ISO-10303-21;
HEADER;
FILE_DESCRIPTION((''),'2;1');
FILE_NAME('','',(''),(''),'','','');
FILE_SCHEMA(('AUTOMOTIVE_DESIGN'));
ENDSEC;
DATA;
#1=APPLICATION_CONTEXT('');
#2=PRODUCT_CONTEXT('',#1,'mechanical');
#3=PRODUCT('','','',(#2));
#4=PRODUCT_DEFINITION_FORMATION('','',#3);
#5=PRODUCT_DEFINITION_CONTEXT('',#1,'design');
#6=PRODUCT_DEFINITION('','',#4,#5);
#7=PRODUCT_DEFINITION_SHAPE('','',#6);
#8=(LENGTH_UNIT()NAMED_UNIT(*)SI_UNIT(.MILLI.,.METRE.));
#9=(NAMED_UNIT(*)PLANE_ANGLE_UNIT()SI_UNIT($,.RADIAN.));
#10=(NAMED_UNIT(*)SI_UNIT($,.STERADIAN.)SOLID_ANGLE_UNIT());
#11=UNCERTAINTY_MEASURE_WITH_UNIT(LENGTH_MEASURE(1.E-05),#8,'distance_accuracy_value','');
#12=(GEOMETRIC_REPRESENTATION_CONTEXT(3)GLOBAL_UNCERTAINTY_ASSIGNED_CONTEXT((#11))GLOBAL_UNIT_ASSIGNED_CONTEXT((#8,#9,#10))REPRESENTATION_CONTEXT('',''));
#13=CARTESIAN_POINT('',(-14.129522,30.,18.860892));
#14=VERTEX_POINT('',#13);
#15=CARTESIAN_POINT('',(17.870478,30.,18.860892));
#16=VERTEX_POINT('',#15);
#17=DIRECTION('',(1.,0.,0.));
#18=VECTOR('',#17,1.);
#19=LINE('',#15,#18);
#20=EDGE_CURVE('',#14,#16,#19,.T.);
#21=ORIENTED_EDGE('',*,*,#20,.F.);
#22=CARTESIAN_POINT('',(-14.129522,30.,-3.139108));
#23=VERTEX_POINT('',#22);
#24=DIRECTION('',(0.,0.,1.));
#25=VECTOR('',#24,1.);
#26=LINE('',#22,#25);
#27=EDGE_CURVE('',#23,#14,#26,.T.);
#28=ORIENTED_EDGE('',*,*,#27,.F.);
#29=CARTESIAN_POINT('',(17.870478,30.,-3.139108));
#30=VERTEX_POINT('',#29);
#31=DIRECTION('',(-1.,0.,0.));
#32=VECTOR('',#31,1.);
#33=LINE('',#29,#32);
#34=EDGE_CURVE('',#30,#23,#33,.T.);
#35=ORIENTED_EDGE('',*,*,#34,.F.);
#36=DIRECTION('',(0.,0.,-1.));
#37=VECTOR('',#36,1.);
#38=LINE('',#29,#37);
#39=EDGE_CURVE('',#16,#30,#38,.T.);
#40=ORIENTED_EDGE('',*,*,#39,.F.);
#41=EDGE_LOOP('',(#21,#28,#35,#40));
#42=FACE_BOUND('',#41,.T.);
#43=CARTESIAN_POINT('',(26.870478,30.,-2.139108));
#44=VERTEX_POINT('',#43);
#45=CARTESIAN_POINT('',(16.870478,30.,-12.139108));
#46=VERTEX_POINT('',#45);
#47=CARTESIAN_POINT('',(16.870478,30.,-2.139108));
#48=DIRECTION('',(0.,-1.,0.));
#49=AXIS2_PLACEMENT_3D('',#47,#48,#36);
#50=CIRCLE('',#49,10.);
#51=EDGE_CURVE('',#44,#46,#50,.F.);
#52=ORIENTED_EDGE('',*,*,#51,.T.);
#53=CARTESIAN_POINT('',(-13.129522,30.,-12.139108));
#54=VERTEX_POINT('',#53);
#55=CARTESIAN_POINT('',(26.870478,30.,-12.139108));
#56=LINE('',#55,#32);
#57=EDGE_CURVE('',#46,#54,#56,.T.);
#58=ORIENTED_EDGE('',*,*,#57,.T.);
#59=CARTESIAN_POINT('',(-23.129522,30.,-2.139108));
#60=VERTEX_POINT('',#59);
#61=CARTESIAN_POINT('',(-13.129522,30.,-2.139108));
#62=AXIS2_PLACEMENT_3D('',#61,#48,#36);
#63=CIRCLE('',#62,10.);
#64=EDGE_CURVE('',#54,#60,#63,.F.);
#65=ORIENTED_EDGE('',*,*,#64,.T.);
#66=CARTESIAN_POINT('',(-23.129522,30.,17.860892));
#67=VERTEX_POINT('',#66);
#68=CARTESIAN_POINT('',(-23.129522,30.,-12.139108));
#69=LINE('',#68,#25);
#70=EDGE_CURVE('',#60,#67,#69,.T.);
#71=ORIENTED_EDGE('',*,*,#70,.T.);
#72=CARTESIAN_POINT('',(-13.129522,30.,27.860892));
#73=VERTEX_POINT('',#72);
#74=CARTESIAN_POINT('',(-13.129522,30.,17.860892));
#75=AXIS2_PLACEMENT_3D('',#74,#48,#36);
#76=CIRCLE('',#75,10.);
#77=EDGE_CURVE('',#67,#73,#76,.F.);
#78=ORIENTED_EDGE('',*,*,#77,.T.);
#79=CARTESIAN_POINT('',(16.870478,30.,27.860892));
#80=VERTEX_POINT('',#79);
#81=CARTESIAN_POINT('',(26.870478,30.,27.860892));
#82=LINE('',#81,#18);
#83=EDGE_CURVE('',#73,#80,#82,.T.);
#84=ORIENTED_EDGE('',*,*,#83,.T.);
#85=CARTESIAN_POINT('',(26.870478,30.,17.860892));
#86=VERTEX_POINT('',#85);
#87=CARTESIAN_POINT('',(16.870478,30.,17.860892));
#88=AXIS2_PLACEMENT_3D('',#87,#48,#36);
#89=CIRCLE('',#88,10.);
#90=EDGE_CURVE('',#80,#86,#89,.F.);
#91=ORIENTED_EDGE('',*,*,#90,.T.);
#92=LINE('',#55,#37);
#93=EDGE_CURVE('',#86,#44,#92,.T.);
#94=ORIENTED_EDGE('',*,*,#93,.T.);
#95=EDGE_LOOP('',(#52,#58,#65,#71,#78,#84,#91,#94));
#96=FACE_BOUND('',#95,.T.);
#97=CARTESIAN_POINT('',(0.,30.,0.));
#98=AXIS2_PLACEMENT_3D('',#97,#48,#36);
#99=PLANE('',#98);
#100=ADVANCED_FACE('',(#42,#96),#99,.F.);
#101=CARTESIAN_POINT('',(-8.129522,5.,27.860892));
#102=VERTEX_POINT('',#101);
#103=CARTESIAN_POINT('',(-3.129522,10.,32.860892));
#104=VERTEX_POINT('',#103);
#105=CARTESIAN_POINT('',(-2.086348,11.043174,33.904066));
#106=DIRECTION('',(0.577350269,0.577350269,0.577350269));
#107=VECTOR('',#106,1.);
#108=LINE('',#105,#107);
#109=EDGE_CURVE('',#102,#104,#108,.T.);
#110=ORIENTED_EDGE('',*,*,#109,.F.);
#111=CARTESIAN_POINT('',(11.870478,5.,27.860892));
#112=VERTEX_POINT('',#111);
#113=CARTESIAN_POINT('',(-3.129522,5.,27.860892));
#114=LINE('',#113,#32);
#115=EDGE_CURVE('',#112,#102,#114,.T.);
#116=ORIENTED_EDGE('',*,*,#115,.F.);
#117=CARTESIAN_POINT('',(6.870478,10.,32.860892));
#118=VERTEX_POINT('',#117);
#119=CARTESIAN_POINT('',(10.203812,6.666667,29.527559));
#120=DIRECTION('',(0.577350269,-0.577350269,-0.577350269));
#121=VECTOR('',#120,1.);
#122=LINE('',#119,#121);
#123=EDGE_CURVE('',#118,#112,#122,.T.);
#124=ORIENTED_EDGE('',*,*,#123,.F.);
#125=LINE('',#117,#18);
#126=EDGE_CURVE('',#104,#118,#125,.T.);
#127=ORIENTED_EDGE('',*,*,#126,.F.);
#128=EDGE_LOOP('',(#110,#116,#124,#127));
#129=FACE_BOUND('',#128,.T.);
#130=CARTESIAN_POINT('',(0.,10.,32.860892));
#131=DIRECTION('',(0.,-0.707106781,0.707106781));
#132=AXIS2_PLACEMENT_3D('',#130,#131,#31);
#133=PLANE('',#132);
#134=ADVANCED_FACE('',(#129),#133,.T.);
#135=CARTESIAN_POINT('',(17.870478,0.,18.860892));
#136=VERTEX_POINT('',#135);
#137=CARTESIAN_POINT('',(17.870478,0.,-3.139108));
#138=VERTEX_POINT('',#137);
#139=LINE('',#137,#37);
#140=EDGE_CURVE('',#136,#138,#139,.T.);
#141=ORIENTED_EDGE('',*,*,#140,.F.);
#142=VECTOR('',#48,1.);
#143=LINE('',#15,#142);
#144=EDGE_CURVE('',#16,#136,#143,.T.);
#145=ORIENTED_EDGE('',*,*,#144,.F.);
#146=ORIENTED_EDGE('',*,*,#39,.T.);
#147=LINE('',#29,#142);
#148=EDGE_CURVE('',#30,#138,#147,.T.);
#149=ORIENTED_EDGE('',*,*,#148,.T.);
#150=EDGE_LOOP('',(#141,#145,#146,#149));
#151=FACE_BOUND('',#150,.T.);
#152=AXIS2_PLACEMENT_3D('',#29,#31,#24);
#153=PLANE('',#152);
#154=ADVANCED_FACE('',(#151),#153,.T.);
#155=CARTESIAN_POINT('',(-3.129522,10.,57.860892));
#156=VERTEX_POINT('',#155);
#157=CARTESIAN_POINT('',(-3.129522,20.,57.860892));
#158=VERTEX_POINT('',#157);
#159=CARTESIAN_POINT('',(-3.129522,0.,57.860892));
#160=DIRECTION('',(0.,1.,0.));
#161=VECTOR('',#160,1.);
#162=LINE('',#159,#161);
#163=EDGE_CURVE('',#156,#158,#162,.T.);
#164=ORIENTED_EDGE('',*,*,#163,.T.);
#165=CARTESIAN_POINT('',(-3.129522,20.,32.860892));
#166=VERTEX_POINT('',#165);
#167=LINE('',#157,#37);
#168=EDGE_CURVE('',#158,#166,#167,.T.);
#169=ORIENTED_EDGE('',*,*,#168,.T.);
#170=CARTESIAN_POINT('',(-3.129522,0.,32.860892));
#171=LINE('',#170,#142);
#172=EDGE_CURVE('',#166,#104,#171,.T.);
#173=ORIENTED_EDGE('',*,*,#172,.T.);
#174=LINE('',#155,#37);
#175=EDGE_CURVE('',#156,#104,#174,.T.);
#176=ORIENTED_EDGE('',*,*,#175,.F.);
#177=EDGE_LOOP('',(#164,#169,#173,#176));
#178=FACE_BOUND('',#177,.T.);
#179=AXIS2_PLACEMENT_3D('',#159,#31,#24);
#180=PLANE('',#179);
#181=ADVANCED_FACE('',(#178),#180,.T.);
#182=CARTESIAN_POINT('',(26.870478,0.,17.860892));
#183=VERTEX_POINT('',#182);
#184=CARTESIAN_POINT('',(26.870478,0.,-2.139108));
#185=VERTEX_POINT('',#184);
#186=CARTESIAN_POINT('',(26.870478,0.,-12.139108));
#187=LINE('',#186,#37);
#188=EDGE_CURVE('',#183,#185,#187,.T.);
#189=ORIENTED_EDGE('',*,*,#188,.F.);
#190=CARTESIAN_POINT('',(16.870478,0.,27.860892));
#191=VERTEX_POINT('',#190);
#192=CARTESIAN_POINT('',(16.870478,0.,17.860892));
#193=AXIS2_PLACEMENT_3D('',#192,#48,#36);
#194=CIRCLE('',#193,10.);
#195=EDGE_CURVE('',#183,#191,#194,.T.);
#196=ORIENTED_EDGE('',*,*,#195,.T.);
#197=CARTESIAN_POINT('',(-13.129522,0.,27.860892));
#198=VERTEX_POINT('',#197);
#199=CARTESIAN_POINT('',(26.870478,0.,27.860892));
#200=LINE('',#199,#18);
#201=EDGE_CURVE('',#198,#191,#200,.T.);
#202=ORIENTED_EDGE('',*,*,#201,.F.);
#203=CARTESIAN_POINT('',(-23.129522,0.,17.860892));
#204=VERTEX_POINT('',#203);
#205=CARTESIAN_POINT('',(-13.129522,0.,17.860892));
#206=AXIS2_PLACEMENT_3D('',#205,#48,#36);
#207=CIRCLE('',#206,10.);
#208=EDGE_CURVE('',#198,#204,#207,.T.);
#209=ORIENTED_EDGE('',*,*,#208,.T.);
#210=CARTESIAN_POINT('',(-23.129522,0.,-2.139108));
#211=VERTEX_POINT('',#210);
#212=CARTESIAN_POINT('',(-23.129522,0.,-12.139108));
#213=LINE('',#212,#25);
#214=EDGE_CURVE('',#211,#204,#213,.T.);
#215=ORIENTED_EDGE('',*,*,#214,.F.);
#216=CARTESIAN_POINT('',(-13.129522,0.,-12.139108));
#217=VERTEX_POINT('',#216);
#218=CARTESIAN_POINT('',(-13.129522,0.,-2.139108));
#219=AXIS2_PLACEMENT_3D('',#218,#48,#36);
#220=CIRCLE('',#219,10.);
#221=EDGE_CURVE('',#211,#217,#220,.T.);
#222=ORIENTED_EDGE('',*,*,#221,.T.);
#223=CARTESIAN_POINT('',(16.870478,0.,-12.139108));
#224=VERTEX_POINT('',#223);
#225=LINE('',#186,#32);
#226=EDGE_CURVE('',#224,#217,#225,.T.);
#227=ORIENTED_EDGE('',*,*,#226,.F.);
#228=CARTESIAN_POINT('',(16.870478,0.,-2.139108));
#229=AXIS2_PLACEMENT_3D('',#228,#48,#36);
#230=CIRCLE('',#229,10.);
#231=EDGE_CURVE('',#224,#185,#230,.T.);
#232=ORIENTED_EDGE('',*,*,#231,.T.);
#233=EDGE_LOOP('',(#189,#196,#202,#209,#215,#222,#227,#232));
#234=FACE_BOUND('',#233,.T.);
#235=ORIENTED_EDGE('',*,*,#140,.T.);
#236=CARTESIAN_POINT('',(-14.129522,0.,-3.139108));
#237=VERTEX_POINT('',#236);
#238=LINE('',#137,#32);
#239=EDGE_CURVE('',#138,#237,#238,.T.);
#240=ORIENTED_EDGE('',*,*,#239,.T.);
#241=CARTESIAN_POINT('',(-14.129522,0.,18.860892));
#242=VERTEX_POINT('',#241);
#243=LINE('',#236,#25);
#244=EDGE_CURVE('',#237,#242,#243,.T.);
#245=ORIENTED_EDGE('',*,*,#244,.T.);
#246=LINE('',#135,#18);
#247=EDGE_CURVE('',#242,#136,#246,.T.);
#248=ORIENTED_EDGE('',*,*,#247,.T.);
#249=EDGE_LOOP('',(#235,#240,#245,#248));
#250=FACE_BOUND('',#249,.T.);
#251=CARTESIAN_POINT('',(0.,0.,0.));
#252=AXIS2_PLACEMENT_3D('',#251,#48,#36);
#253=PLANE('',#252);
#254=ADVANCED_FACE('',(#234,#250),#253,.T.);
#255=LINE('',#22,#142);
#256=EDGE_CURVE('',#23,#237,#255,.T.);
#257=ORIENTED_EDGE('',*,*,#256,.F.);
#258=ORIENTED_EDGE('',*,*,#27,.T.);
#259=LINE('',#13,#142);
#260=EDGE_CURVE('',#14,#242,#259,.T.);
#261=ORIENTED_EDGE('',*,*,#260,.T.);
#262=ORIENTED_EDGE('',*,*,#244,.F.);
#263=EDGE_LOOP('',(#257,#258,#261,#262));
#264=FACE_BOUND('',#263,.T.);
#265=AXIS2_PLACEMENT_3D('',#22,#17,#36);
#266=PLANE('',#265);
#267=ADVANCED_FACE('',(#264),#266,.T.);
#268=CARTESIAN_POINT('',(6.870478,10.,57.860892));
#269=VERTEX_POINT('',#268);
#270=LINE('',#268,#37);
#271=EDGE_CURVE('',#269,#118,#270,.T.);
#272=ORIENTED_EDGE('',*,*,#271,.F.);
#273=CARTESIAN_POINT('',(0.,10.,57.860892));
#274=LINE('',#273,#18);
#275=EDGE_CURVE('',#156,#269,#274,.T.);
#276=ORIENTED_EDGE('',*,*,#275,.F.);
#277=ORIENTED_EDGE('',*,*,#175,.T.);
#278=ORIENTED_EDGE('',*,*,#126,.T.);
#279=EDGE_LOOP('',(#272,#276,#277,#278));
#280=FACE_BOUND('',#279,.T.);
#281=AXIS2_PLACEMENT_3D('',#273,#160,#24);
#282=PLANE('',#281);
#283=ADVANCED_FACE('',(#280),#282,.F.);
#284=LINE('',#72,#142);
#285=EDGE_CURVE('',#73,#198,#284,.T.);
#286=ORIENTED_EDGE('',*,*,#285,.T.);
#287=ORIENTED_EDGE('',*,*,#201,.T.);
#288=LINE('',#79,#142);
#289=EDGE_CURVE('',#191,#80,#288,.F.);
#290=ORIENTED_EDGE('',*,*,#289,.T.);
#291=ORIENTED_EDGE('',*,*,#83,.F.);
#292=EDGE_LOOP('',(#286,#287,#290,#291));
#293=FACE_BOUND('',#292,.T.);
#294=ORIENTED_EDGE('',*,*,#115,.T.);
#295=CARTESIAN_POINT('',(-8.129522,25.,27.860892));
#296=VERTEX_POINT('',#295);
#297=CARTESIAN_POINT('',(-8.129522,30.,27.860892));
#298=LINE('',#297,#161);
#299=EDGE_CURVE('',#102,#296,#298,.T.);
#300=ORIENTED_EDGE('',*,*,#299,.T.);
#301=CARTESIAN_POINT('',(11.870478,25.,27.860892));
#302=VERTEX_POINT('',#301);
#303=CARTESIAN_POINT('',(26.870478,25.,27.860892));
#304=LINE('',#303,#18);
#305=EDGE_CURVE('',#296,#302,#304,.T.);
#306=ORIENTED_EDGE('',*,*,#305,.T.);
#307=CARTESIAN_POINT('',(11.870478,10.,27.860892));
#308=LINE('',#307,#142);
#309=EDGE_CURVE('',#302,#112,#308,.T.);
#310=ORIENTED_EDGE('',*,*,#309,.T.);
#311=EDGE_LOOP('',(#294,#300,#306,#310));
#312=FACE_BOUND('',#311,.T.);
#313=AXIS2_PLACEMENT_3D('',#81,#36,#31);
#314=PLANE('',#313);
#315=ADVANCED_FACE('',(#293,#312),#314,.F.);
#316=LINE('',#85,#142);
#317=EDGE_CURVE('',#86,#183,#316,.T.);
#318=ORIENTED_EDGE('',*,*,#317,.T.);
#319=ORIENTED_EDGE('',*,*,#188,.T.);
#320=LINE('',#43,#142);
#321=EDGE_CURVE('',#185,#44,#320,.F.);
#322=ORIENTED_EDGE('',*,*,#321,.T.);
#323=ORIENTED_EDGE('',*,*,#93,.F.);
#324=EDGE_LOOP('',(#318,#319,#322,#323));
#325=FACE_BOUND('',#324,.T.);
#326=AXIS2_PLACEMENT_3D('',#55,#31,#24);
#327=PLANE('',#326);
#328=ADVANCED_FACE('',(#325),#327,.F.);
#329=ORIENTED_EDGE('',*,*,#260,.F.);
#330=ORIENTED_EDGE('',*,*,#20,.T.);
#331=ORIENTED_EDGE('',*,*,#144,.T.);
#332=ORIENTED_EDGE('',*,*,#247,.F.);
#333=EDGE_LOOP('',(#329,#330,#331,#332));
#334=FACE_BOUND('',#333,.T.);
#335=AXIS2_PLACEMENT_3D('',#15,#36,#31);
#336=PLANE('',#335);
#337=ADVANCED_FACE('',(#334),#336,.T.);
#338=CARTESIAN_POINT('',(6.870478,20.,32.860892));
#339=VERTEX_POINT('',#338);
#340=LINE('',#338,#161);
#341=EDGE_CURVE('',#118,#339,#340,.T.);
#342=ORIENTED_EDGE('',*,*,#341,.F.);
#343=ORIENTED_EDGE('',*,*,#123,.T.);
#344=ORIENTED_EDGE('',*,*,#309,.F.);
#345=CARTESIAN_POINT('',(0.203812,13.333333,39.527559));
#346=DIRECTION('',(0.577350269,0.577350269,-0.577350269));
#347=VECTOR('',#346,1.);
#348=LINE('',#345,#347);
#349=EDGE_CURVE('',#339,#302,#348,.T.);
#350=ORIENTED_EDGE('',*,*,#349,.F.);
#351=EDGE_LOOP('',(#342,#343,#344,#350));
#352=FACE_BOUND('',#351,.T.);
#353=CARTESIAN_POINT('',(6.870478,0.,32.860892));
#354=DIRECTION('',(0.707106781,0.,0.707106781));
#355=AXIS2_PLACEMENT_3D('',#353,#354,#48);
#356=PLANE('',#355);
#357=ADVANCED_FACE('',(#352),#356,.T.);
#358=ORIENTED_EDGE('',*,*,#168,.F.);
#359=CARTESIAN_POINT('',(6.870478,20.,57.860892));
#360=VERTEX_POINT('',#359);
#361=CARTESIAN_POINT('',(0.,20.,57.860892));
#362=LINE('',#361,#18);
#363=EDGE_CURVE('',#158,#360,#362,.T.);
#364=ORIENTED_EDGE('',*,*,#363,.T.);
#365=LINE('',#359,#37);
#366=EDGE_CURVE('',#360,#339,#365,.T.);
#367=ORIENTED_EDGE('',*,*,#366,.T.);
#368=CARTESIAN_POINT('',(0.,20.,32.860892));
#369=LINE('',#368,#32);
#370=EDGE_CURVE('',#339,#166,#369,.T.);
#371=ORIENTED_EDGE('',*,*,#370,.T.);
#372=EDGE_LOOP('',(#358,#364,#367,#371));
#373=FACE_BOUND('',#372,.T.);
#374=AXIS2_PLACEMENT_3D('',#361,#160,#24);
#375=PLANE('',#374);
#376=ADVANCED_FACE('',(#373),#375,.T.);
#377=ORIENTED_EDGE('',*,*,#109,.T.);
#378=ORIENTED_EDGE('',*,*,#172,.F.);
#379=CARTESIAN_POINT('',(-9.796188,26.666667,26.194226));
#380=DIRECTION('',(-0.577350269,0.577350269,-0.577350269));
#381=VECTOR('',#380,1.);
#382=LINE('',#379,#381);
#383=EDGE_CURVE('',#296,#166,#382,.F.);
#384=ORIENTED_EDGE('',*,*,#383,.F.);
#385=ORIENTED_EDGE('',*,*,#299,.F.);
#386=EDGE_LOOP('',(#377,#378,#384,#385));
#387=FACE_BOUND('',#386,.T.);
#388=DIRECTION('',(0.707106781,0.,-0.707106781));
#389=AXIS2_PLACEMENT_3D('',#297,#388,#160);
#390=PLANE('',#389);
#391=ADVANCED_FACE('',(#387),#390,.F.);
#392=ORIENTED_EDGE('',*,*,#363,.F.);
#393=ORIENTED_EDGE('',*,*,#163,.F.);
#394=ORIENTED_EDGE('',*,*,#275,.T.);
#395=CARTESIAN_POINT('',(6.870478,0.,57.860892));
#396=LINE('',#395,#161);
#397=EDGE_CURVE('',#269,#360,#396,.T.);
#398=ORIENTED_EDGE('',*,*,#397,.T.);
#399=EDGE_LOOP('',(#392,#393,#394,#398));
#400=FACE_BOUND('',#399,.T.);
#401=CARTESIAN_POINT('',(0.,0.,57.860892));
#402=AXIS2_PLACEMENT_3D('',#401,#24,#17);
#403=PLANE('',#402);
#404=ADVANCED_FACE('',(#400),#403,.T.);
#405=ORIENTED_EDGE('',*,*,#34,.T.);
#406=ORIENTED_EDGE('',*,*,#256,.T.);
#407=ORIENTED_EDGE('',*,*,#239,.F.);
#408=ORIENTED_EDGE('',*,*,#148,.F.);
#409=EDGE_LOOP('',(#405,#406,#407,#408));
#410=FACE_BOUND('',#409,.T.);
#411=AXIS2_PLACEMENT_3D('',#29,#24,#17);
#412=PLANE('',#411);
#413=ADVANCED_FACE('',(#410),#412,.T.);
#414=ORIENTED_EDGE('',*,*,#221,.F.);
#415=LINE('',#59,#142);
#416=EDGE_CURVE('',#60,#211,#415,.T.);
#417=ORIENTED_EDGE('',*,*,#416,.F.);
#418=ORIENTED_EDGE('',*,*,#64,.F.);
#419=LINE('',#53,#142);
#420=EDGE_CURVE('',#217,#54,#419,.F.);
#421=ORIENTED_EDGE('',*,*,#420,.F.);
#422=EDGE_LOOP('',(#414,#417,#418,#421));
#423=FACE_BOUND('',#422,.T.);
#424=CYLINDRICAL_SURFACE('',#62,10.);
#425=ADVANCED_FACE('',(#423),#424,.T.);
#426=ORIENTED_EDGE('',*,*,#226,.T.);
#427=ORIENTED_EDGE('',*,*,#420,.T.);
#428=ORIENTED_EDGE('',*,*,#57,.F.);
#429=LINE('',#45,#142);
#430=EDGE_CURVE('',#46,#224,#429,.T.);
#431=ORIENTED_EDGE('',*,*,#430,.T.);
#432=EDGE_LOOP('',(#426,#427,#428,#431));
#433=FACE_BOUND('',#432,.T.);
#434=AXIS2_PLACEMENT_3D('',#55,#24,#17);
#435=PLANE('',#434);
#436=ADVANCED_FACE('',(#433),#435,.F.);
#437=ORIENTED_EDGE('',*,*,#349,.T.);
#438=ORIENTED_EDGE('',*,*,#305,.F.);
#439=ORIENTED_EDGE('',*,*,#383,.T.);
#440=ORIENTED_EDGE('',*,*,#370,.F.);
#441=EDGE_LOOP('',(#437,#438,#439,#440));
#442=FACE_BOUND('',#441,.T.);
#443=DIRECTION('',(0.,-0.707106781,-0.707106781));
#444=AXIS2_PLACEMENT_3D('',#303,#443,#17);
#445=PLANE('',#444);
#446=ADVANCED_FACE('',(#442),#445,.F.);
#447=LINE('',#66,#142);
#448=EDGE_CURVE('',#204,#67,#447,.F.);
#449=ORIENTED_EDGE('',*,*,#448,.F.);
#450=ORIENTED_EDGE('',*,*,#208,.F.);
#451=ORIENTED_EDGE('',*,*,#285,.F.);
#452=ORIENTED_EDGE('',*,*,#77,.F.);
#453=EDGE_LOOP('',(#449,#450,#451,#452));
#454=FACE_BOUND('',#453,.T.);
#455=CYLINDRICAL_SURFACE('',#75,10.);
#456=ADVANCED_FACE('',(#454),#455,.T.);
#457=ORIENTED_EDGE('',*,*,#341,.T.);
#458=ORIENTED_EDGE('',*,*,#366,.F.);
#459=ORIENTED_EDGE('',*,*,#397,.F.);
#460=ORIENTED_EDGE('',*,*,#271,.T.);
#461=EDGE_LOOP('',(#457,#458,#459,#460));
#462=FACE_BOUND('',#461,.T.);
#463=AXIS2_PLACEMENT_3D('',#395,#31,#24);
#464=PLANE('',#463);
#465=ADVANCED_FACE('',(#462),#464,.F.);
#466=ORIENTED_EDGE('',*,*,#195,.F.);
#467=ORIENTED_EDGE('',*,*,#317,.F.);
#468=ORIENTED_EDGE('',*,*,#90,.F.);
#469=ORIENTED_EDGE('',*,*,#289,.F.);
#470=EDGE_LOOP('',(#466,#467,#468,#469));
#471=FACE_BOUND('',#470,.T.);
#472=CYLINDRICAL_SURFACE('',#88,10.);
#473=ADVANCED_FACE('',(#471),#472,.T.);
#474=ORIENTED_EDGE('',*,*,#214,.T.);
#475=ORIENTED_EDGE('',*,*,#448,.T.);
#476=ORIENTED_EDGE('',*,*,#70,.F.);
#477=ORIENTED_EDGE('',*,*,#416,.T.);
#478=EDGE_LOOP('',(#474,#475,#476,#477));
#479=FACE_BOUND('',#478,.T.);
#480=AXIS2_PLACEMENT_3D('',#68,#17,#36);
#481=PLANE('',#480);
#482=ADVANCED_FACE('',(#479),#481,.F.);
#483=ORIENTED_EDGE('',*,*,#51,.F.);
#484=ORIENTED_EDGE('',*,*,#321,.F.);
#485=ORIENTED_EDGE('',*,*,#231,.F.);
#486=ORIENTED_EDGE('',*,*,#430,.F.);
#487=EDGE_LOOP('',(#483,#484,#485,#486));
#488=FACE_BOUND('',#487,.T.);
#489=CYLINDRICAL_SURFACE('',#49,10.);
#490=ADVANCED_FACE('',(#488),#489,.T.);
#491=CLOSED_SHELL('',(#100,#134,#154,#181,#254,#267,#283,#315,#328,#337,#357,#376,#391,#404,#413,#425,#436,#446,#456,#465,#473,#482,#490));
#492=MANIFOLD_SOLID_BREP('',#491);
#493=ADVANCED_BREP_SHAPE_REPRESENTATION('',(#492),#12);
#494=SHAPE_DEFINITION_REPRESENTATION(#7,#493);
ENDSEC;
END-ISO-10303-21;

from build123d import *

# Parameters (mm, degrees)
SKETCH1_W           = 50
SKETCH1_H           = 40
SKETCH1_W_2         = 32
SKETCH1_H_2         = 22
BOSS_EXTRUDE1_DEPTH = 30
SKETCH2_W           = 10
SKETCH2_H           = 10
BOSS_EXTRUDE2_DEPTH = 30
CHAMFER1_SIZE       = 5
FILLET1_R           = 10


with BuildPart() as part:
    # Sketch1 → Boss-Extrude1 (new body)
    with BuildSketch(Plane(origin=(0, 0, 0), x_dir=(1, 0, 0), z_dir=(0, 1, 0))):
        with Locations((1.8704784, -7.860892388)):
            Rectangle(SKETCH1_W, SKETCH1_H)
        with Locations((1.8704784, -7.860892388)):
            Rectangle(SKETCH1_W_2, SKETCH1_H_2, mode=Mode.SUBTRACT)
    extrude(amount=BOSS_EXTRUDE1_DEPTH)

    # Sketch2 → Boss-Extrude2 (add)
    with BuildSketch(Plane.XY.offset(27.860892388)):
        with Locations((1.8704784, 15)):
            Rectangle(SKETCH2_W, SKETCH2_H)
    extrude(amount=BOSS_EXTRUDE2_DEPTH)

    # Chamfer1
    chamfer1_edges = [part.edges().sort_by_distance(p)[0] for p in [
        (1.8704784, 10, 27.860892388),
        (6.8704784, 15, 27.860892388),
        (-3.1295216, 15, 27.860892388),
        (1.8704784, 20, 27.860892388),
    ]]
    chamfer(chamfer1_edges, length=CHAMFER1_SIZE)

    # Fillet1
    fillet1_edges = [part.edges().sort_by_distance(p)[0] for p in [
        (26.8704784, 15, 27.860892388),
        (-23.1295216, 15, 27.860892388),
        (-23.1295216, 15, -12.139107612),
        (26.8704784, 15, -12.139107612),
    ]]
    fillet(fillet1_edges, radius=FILLET1_R)


solid = part.part
